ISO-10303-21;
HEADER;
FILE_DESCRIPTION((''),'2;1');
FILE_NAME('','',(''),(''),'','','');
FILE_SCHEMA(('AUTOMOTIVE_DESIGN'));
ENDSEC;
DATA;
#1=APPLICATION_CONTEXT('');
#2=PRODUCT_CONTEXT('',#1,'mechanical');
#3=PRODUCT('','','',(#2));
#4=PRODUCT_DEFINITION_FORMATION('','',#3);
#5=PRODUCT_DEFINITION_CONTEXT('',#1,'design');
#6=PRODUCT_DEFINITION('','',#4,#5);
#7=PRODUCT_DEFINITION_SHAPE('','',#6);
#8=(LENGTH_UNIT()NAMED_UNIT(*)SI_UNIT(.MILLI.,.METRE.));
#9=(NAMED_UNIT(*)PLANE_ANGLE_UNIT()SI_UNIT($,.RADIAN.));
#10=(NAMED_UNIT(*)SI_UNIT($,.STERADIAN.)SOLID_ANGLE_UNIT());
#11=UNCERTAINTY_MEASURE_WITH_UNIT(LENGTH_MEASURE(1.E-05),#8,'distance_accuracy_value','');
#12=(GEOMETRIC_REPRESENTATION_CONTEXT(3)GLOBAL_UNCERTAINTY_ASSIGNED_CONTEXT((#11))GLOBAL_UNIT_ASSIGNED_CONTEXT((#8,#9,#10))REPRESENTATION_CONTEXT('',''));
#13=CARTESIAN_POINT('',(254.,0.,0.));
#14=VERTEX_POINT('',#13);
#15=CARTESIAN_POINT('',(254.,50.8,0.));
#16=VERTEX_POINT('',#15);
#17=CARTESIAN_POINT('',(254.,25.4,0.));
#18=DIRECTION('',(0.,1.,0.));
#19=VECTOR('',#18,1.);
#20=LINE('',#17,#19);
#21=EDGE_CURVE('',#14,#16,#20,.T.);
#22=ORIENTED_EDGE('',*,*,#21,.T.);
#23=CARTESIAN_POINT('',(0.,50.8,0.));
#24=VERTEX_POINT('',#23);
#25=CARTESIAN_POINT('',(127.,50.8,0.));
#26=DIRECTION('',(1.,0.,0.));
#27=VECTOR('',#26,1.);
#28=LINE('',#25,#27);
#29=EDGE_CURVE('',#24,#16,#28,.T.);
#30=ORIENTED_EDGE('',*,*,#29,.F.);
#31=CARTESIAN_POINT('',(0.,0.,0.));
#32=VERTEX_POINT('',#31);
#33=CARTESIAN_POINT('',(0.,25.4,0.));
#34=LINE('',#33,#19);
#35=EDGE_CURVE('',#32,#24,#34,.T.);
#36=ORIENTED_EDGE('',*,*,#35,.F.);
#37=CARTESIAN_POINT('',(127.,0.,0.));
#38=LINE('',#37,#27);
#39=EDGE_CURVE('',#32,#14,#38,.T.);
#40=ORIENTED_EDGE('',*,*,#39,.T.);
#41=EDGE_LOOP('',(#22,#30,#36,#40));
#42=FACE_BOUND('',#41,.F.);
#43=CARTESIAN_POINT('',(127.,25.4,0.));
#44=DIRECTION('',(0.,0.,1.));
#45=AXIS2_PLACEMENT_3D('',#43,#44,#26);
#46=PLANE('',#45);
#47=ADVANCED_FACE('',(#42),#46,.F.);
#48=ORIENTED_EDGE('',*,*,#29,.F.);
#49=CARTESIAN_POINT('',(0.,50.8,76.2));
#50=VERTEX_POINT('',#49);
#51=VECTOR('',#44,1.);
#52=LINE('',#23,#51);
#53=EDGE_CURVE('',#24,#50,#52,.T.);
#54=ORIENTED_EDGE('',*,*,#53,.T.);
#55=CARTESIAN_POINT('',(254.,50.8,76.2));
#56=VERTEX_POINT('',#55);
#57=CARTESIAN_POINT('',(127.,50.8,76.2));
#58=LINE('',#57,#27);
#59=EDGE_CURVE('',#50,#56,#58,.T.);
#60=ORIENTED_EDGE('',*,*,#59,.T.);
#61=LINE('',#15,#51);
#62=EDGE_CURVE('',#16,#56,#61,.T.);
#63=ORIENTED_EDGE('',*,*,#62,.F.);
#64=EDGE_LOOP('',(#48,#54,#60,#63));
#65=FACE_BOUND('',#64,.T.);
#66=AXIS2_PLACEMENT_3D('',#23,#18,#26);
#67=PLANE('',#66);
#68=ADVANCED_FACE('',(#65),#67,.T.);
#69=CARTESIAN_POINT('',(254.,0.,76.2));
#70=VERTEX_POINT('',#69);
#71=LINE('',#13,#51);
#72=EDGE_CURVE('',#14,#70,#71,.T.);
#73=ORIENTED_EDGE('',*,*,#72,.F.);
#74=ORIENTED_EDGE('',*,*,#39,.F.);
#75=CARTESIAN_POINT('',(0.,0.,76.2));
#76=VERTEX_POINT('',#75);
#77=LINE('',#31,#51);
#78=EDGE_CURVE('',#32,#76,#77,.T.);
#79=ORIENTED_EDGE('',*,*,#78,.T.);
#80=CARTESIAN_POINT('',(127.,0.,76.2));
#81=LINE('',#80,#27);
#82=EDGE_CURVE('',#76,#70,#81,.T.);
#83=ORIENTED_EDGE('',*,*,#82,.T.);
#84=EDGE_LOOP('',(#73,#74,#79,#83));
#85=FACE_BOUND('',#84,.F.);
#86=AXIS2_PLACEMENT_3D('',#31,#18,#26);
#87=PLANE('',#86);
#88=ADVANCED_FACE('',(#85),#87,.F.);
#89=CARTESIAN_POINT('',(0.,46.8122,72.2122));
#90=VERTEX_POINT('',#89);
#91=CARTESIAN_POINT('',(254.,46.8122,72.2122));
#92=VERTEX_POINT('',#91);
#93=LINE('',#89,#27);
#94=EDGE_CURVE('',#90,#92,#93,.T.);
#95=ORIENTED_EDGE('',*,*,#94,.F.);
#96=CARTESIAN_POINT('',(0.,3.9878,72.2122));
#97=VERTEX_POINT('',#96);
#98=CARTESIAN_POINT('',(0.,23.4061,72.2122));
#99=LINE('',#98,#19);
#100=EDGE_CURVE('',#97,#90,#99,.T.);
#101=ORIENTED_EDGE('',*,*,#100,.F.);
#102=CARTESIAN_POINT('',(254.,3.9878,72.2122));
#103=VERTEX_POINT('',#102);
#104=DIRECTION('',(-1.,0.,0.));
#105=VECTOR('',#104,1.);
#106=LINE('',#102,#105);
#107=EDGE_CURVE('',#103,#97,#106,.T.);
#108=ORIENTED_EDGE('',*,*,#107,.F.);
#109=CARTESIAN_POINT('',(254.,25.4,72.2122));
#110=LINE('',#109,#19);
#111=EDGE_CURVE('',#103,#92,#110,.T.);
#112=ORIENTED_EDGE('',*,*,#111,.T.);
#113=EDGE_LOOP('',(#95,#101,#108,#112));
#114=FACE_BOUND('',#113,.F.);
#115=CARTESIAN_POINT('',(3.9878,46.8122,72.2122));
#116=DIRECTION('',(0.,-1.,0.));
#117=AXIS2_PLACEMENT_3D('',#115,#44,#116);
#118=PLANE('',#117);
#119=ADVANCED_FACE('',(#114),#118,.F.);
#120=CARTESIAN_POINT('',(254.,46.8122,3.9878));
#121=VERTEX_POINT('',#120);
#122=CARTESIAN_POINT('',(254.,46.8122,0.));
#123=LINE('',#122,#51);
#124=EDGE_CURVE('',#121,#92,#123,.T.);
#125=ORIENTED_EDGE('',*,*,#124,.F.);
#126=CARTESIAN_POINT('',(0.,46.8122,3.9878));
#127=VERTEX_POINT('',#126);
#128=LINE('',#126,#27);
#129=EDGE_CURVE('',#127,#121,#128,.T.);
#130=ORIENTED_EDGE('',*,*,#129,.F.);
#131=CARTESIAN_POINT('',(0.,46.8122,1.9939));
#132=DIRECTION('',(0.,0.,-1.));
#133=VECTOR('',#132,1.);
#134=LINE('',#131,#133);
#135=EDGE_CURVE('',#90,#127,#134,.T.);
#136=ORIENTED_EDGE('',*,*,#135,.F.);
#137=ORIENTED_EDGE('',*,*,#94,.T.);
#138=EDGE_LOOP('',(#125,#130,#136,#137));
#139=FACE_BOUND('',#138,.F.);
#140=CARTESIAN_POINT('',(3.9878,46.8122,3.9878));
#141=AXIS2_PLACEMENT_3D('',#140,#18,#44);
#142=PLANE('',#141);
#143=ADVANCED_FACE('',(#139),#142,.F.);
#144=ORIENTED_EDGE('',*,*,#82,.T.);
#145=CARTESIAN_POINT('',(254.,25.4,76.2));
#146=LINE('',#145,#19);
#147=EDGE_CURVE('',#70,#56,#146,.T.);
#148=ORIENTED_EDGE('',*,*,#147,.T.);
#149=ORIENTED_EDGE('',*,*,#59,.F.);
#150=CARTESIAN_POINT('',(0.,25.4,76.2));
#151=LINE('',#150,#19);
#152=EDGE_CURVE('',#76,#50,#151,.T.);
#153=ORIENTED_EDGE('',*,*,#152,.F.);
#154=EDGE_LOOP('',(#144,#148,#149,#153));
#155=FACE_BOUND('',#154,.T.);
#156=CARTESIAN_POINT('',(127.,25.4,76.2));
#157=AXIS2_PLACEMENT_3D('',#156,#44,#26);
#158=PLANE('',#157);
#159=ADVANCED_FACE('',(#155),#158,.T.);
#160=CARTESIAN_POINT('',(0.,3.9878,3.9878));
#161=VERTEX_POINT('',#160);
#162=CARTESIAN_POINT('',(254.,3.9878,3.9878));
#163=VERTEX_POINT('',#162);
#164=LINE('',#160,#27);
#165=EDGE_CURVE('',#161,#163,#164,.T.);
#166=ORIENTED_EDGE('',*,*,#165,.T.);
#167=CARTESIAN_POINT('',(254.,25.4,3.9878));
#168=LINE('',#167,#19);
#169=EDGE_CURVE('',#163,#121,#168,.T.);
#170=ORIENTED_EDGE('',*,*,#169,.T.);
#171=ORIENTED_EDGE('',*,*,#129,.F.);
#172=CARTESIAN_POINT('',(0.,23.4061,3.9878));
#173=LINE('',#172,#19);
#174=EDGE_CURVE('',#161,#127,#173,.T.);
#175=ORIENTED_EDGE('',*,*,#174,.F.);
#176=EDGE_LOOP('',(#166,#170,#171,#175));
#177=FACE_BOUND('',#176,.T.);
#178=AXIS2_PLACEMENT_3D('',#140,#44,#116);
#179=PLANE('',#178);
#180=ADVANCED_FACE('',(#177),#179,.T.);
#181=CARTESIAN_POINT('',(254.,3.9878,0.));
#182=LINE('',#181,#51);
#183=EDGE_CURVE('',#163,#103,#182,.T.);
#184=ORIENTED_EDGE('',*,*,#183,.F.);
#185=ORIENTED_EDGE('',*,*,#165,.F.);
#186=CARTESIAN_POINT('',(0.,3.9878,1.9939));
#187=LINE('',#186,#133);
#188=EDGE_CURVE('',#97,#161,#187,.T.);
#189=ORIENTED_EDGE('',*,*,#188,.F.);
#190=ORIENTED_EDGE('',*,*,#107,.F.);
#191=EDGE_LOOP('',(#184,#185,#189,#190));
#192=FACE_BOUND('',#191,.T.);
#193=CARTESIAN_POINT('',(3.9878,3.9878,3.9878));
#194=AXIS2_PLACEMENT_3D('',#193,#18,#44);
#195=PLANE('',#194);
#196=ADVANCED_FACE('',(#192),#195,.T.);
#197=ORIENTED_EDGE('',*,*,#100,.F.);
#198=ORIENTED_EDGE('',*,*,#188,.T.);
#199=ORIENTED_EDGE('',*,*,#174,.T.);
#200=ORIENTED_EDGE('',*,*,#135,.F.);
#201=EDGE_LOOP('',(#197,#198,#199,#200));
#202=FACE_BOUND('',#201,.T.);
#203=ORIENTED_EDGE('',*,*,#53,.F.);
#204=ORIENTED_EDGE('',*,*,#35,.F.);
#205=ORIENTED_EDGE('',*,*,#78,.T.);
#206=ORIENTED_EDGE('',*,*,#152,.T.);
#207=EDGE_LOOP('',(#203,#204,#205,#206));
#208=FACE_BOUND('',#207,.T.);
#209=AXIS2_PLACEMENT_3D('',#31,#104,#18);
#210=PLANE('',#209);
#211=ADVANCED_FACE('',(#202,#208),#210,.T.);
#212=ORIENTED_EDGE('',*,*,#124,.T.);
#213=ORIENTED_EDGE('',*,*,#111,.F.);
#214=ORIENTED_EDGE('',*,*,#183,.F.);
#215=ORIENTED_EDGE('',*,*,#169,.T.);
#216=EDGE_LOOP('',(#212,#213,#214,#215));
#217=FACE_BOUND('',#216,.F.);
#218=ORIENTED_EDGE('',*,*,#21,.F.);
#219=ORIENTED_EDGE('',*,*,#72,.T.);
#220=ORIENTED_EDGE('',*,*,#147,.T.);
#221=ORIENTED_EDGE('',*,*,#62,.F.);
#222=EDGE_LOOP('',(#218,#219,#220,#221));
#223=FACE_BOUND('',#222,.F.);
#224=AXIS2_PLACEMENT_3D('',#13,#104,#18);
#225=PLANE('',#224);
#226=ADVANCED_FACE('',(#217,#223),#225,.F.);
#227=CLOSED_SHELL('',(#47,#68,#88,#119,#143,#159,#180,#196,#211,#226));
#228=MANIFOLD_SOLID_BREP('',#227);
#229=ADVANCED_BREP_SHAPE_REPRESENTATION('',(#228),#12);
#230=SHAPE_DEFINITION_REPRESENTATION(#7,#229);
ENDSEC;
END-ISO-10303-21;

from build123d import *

# Parameters (mm, degrees)
F0_W     = 254
F0_H     = 50.8
F1_DEPTH = 76.2
F2_T     = -3.9878
F3_DEPTH = 3.9888


with BuildPart() as f1:
    # F0 (on Top) → F1 (new body)
    with BuildSketch(Plane.XY):
        with Locations((127, 25.4)):
            Rectangle(F0_W, F0_H)
    extrude(amount=F1_DEPTH)

    # F2
    f2_openings = [f1.faces().sort_by_distance(p)[0] for p in [
        (254, 25.4, 38.1),
    ]]
    offset(amount=F2_T, openings=f2_openings)

    # F3 (cut, through all): a face of the model
    f3_faces = [f1.faces().sort_by_distance(p)[0] for p in [
        (3.9878, 25.4, 38.1),
    ]]
    extrude(f3_faces, amount=-F3_DEPTH, mode=Mode.SUBTRACT)


solid = f1.part
